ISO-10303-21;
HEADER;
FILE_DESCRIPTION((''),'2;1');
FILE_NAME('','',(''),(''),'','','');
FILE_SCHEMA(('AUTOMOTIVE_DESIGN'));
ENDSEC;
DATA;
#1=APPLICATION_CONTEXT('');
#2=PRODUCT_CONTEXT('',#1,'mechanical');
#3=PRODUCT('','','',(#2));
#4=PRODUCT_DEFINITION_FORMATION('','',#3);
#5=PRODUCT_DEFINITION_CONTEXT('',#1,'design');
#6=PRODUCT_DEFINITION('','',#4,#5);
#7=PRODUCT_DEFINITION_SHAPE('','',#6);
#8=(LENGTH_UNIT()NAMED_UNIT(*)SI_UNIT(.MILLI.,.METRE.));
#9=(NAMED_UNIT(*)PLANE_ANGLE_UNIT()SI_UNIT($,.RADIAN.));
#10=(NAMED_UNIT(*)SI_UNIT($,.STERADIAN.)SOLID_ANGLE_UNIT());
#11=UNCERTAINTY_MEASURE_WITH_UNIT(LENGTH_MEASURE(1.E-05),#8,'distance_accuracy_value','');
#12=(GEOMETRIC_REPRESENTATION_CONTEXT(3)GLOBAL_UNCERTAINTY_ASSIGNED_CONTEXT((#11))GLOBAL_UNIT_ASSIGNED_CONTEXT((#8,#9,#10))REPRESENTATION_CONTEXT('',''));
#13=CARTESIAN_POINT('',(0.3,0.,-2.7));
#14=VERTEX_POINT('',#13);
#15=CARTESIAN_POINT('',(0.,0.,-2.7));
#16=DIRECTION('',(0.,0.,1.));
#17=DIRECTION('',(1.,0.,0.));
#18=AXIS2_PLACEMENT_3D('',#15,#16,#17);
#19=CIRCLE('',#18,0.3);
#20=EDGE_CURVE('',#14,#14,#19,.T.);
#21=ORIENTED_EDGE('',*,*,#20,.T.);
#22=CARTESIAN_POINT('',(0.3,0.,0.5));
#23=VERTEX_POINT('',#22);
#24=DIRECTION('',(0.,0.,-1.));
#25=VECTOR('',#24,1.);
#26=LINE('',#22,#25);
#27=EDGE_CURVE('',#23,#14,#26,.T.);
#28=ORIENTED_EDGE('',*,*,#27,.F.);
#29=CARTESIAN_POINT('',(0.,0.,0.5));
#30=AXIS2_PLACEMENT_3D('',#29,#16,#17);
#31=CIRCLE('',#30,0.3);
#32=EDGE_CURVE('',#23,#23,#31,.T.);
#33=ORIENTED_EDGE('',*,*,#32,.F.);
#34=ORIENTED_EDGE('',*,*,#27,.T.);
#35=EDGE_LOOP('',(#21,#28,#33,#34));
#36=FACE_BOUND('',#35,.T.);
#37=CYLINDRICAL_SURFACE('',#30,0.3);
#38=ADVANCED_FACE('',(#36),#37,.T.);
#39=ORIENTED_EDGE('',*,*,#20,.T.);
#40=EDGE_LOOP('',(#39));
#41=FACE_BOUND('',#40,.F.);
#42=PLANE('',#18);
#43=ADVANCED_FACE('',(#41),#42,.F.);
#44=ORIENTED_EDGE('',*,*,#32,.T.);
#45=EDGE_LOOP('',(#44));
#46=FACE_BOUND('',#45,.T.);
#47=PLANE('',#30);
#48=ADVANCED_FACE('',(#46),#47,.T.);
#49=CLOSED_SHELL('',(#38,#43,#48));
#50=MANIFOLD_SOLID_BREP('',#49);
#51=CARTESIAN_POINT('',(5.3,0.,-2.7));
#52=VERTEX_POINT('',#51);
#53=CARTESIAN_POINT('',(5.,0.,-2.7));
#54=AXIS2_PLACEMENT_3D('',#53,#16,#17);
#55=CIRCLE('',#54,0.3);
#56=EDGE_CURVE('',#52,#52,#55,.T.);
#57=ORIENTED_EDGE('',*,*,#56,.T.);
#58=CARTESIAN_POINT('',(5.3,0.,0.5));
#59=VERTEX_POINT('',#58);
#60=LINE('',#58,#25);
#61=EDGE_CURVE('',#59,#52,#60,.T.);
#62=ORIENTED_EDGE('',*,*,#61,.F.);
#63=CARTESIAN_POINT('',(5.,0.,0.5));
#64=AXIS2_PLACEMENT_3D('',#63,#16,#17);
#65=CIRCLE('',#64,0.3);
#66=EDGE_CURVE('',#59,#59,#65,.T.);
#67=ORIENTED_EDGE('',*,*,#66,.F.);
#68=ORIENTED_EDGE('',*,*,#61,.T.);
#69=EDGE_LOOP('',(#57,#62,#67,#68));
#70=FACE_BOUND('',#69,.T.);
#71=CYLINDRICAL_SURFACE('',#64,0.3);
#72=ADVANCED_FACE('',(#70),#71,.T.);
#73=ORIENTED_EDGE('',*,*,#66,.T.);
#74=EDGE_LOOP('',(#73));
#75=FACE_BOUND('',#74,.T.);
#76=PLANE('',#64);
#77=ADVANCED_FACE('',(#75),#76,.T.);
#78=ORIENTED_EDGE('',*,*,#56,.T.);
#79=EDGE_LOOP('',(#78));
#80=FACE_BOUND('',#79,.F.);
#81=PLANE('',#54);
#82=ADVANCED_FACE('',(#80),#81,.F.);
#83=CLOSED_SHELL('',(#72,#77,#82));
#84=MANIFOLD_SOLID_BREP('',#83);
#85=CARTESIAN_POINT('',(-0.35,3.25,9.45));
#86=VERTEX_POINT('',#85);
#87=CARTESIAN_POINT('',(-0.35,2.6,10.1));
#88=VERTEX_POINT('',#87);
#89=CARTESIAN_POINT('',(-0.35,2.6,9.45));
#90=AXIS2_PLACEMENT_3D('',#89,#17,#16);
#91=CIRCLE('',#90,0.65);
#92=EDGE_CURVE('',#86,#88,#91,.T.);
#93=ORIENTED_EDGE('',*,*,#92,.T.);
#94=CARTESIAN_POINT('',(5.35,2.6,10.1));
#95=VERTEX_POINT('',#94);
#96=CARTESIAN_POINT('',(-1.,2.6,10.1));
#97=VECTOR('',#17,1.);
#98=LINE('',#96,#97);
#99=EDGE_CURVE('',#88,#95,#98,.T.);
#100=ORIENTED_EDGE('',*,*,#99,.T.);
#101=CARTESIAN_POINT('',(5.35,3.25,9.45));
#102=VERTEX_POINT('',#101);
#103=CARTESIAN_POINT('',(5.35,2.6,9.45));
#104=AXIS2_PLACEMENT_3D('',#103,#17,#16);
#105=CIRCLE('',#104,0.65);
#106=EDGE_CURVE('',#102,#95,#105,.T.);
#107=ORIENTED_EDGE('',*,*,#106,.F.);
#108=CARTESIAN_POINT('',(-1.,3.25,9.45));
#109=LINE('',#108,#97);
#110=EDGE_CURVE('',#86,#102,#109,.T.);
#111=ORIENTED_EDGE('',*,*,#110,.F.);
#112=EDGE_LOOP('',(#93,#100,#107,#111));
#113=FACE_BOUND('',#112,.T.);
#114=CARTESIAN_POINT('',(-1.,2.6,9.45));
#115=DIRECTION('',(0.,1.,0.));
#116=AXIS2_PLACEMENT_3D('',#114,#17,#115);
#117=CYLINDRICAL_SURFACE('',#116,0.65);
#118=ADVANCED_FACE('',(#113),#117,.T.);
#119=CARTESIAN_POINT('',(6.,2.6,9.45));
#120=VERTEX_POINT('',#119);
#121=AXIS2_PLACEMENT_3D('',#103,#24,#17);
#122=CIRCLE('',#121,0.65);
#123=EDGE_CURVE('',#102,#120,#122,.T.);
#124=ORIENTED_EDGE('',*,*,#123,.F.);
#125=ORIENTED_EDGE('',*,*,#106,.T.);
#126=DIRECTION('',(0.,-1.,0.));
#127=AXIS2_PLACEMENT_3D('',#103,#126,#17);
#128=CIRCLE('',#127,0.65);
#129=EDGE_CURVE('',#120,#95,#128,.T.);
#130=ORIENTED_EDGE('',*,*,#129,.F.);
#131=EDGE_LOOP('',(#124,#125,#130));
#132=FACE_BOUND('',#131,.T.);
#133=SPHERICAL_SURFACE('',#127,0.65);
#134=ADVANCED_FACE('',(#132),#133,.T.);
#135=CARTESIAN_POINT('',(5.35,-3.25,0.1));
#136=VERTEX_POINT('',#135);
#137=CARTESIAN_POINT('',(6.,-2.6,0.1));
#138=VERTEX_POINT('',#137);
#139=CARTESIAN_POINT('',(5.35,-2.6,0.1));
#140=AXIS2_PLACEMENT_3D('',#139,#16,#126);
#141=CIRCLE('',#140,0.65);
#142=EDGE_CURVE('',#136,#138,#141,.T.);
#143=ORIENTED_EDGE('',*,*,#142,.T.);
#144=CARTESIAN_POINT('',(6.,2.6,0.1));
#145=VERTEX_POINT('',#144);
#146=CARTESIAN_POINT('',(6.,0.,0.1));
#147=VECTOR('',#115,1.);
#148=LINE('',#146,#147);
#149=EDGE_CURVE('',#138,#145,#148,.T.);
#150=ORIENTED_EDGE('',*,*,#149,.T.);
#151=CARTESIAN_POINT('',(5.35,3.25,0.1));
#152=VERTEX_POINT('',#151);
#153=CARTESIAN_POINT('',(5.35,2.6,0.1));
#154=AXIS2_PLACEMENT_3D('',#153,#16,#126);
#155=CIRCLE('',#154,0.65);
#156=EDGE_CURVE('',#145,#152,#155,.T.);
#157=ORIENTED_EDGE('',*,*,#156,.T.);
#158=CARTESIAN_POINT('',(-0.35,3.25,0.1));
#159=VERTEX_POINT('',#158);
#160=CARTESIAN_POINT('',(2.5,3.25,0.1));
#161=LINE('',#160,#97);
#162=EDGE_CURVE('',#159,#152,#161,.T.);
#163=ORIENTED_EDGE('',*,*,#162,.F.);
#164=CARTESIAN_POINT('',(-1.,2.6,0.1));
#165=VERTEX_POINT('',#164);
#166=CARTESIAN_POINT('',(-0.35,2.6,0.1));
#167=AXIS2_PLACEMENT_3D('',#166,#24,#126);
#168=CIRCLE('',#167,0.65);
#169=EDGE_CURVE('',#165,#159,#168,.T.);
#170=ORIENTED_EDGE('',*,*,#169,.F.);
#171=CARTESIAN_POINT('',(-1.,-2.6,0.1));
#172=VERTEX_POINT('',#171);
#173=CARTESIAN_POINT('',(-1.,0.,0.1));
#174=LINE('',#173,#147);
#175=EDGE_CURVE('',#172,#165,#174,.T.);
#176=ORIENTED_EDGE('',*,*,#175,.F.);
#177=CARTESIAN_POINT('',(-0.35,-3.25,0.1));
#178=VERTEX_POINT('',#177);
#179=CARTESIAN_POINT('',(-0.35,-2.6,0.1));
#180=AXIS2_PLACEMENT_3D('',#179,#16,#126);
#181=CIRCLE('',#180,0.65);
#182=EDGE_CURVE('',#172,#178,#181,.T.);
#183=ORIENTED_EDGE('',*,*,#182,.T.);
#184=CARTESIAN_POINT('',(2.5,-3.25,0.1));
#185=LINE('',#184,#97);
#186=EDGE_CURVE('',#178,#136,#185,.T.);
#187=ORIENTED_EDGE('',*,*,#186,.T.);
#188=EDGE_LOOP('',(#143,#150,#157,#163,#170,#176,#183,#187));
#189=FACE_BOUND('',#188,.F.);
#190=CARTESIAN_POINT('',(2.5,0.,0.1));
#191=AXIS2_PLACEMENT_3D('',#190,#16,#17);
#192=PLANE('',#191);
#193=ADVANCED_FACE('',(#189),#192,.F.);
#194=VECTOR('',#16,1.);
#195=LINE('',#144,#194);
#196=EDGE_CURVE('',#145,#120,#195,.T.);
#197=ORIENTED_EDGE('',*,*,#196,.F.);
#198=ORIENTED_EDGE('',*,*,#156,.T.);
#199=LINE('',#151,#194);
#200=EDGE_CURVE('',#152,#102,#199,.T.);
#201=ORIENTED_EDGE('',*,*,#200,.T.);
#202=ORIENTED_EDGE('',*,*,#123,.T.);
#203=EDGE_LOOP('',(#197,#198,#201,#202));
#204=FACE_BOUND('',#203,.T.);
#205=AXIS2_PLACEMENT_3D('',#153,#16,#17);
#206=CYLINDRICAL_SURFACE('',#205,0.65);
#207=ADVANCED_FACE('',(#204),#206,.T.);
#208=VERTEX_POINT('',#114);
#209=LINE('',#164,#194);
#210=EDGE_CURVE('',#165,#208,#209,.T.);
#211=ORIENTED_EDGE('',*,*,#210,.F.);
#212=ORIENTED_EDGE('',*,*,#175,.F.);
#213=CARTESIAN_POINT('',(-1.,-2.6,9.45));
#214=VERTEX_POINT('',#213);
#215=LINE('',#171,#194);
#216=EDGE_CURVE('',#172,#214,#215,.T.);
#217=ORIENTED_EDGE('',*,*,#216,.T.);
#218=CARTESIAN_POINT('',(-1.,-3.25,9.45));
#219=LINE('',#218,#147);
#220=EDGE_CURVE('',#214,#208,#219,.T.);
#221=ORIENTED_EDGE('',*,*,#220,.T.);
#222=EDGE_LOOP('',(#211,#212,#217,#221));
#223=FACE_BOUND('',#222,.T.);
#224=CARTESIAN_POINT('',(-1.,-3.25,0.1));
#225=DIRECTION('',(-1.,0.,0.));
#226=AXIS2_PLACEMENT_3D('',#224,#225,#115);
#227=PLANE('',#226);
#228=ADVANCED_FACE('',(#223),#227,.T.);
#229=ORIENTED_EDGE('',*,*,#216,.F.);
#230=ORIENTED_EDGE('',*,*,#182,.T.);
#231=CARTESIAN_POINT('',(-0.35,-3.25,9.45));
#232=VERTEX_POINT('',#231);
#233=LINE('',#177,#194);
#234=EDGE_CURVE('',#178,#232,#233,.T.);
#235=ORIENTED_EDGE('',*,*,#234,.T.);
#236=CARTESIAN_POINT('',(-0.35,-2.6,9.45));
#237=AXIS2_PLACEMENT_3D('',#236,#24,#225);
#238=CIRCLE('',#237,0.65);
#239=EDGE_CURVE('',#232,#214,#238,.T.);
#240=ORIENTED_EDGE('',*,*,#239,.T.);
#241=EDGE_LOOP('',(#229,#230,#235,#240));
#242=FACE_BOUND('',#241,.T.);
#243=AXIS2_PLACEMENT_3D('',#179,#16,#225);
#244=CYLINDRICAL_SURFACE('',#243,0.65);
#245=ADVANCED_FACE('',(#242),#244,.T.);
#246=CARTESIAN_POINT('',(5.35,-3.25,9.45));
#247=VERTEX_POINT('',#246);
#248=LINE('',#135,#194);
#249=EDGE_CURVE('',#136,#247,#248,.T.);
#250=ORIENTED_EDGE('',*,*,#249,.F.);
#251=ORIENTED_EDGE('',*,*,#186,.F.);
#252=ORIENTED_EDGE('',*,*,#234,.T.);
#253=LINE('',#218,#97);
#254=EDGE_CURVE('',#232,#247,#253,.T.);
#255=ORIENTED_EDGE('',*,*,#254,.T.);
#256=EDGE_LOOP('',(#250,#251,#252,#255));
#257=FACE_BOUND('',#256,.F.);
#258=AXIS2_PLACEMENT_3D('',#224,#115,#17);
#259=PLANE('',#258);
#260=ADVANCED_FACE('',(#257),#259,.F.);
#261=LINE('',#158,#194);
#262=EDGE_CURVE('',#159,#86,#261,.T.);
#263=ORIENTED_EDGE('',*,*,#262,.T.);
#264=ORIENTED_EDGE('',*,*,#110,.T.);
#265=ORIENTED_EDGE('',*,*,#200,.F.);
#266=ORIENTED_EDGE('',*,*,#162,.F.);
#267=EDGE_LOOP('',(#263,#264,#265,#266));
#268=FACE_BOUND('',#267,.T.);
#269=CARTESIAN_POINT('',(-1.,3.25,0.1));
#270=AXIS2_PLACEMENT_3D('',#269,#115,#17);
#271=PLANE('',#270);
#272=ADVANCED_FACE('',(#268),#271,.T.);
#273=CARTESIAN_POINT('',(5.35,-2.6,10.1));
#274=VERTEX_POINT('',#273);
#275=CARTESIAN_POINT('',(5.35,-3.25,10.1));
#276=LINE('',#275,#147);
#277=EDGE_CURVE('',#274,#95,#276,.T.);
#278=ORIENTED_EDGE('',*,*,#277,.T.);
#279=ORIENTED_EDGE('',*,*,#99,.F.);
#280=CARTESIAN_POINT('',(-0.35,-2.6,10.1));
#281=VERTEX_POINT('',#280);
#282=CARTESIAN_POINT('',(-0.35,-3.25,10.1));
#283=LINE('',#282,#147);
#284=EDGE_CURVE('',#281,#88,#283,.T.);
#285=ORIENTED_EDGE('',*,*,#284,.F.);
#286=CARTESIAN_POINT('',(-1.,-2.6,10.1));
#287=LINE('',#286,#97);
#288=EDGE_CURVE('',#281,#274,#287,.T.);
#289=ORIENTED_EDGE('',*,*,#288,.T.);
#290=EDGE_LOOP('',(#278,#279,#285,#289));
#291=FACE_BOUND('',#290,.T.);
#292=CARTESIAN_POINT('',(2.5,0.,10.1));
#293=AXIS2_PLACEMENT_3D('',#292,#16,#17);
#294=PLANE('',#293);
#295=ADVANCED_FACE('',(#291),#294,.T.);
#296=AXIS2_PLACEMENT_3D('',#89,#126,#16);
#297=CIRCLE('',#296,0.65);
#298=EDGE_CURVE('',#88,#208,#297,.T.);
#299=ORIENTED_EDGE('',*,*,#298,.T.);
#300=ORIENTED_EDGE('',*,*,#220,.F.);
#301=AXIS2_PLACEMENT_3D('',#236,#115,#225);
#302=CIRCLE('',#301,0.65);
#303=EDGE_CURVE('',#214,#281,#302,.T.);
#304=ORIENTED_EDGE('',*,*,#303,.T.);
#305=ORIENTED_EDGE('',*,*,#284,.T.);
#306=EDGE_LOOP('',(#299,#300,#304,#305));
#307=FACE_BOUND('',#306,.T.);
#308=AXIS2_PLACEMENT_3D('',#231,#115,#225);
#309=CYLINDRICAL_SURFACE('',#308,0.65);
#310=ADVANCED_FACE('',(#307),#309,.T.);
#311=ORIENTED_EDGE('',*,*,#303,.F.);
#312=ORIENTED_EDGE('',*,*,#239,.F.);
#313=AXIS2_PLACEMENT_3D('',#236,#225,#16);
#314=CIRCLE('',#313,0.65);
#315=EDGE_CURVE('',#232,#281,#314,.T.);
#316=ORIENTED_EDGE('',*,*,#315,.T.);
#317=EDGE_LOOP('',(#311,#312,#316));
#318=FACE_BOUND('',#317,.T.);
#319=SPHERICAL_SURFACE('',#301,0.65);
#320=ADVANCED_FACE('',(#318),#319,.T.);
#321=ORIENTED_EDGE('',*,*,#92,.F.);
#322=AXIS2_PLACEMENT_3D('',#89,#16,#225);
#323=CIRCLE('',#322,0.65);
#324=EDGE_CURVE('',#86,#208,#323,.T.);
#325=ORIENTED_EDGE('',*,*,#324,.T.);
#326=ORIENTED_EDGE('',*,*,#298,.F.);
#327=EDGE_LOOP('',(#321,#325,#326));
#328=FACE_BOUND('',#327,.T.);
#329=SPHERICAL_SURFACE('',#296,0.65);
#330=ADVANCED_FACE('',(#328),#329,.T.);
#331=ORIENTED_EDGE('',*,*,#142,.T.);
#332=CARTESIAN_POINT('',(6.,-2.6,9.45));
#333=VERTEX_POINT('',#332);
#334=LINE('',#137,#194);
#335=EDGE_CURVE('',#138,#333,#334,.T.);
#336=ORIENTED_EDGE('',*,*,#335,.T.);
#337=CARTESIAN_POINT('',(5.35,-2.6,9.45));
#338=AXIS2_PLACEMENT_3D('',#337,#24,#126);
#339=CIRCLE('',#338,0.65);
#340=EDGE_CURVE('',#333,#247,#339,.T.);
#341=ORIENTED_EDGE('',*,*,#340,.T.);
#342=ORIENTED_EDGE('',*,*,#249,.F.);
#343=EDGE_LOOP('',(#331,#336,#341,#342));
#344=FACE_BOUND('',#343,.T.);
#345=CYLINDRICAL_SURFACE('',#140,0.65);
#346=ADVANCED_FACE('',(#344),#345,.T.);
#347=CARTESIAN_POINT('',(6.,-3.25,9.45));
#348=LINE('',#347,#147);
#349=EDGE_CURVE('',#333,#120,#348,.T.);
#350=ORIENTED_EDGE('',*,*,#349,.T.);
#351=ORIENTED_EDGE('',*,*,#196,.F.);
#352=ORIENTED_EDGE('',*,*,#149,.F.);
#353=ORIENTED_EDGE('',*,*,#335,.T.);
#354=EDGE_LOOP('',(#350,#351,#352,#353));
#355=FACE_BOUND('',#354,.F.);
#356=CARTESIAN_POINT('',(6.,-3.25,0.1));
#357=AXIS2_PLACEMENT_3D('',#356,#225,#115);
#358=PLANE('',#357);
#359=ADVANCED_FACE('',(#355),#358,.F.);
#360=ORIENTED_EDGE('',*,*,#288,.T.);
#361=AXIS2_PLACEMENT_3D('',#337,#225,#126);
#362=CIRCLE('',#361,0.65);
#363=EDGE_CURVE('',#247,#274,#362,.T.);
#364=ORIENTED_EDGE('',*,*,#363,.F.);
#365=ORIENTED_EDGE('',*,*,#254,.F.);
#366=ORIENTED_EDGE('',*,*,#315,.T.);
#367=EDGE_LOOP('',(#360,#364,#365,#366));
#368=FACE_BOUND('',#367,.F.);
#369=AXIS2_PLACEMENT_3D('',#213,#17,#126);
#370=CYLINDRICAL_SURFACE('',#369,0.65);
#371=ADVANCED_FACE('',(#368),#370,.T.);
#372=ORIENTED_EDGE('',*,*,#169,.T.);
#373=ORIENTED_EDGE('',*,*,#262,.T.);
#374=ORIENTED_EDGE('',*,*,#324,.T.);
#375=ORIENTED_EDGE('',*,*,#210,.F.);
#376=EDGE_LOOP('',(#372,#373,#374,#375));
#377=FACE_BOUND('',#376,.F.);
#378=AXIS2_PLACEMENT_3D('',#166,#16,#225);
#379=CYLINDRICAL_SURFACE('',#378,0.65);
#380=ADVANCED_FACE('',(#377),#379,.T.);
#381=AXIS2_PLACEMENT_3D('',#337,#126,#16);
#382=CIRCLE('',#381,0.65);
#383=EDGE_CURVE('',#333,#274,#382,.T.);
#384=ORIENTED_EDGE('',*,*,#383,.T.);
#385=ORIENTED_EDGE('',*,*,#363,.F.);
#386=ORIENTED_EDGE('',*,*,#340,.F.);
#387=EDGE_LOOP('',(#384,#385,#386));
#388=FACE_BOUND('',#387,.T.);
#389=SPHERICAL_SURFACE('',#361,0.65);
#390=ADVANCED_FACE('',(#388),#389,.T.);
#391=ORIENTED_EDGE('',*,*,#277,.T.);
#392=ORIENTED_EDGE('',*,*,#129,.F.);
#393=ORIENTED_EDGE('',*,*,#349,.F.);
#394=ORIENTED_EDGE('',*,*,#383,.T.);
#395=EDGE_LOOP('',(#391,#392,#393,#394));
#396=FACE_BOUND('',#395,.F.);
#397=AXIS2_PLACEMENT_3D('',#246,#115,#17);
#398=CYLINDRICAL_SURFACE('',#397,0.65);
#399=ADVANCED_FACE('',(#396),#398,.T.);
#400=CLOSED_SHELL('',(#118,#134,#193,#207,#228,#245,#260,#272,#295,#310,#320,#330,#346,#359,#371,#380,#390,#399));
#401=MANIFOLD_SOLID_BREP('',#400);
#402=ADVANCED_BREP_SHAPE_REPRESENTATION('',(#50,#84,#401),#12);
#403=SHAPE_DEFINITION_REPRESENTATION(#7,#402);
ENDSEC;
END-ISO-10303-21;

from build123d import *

# Parameters (mm, degrees)
SKETCH_W     = 7
SKETCH_H     = 6.5
PAD_DEPTH    = 10
FILLET_R     = 0.65
SKETCH001_R  = 0.3
PAD001_DEPTH = 3.2


with BuildPart() as fillet_body:
    # Sketch → Pad (new body)
    with BuildSketch(Plane.XY.offset(0.1)):
        with Locations((2.5, 0)):
            Rectangle(SKETCH_W, SKETCH_H)
    extrude(amount=PAD_DEPTH)

    # Fillet
    fillet_edges = [fillet_body.edges().sort_by_distance(p)[0] for p in [
        (-1, 0, 10.1),
        (-1, -3.25, 5.1),
        (2.5, -3.25, 10.1),
        (6, -3.25, 5.1),
        (6, 0, 10.1),
        (6, 3.25, 5.1),
        (2.5, 3.25, 10.1),
        (-1, 3.25, 5.1),
    ]]
    fillet(fillet_edges, radius=FILLET_R)


with BuildPart() as pad001:
    # Sketch001 → Pad001 (new body)
    with BuildSketch(Plane.XY.offset(0.5)):
        Circle(SKETCH001_R)
        with Locations((5, 0)):
            Circle(SKETCH001_R)
    extrude(amount=-PAD001_DEPTH)


solid = Compound([fillet_body.part, pad001.part])
